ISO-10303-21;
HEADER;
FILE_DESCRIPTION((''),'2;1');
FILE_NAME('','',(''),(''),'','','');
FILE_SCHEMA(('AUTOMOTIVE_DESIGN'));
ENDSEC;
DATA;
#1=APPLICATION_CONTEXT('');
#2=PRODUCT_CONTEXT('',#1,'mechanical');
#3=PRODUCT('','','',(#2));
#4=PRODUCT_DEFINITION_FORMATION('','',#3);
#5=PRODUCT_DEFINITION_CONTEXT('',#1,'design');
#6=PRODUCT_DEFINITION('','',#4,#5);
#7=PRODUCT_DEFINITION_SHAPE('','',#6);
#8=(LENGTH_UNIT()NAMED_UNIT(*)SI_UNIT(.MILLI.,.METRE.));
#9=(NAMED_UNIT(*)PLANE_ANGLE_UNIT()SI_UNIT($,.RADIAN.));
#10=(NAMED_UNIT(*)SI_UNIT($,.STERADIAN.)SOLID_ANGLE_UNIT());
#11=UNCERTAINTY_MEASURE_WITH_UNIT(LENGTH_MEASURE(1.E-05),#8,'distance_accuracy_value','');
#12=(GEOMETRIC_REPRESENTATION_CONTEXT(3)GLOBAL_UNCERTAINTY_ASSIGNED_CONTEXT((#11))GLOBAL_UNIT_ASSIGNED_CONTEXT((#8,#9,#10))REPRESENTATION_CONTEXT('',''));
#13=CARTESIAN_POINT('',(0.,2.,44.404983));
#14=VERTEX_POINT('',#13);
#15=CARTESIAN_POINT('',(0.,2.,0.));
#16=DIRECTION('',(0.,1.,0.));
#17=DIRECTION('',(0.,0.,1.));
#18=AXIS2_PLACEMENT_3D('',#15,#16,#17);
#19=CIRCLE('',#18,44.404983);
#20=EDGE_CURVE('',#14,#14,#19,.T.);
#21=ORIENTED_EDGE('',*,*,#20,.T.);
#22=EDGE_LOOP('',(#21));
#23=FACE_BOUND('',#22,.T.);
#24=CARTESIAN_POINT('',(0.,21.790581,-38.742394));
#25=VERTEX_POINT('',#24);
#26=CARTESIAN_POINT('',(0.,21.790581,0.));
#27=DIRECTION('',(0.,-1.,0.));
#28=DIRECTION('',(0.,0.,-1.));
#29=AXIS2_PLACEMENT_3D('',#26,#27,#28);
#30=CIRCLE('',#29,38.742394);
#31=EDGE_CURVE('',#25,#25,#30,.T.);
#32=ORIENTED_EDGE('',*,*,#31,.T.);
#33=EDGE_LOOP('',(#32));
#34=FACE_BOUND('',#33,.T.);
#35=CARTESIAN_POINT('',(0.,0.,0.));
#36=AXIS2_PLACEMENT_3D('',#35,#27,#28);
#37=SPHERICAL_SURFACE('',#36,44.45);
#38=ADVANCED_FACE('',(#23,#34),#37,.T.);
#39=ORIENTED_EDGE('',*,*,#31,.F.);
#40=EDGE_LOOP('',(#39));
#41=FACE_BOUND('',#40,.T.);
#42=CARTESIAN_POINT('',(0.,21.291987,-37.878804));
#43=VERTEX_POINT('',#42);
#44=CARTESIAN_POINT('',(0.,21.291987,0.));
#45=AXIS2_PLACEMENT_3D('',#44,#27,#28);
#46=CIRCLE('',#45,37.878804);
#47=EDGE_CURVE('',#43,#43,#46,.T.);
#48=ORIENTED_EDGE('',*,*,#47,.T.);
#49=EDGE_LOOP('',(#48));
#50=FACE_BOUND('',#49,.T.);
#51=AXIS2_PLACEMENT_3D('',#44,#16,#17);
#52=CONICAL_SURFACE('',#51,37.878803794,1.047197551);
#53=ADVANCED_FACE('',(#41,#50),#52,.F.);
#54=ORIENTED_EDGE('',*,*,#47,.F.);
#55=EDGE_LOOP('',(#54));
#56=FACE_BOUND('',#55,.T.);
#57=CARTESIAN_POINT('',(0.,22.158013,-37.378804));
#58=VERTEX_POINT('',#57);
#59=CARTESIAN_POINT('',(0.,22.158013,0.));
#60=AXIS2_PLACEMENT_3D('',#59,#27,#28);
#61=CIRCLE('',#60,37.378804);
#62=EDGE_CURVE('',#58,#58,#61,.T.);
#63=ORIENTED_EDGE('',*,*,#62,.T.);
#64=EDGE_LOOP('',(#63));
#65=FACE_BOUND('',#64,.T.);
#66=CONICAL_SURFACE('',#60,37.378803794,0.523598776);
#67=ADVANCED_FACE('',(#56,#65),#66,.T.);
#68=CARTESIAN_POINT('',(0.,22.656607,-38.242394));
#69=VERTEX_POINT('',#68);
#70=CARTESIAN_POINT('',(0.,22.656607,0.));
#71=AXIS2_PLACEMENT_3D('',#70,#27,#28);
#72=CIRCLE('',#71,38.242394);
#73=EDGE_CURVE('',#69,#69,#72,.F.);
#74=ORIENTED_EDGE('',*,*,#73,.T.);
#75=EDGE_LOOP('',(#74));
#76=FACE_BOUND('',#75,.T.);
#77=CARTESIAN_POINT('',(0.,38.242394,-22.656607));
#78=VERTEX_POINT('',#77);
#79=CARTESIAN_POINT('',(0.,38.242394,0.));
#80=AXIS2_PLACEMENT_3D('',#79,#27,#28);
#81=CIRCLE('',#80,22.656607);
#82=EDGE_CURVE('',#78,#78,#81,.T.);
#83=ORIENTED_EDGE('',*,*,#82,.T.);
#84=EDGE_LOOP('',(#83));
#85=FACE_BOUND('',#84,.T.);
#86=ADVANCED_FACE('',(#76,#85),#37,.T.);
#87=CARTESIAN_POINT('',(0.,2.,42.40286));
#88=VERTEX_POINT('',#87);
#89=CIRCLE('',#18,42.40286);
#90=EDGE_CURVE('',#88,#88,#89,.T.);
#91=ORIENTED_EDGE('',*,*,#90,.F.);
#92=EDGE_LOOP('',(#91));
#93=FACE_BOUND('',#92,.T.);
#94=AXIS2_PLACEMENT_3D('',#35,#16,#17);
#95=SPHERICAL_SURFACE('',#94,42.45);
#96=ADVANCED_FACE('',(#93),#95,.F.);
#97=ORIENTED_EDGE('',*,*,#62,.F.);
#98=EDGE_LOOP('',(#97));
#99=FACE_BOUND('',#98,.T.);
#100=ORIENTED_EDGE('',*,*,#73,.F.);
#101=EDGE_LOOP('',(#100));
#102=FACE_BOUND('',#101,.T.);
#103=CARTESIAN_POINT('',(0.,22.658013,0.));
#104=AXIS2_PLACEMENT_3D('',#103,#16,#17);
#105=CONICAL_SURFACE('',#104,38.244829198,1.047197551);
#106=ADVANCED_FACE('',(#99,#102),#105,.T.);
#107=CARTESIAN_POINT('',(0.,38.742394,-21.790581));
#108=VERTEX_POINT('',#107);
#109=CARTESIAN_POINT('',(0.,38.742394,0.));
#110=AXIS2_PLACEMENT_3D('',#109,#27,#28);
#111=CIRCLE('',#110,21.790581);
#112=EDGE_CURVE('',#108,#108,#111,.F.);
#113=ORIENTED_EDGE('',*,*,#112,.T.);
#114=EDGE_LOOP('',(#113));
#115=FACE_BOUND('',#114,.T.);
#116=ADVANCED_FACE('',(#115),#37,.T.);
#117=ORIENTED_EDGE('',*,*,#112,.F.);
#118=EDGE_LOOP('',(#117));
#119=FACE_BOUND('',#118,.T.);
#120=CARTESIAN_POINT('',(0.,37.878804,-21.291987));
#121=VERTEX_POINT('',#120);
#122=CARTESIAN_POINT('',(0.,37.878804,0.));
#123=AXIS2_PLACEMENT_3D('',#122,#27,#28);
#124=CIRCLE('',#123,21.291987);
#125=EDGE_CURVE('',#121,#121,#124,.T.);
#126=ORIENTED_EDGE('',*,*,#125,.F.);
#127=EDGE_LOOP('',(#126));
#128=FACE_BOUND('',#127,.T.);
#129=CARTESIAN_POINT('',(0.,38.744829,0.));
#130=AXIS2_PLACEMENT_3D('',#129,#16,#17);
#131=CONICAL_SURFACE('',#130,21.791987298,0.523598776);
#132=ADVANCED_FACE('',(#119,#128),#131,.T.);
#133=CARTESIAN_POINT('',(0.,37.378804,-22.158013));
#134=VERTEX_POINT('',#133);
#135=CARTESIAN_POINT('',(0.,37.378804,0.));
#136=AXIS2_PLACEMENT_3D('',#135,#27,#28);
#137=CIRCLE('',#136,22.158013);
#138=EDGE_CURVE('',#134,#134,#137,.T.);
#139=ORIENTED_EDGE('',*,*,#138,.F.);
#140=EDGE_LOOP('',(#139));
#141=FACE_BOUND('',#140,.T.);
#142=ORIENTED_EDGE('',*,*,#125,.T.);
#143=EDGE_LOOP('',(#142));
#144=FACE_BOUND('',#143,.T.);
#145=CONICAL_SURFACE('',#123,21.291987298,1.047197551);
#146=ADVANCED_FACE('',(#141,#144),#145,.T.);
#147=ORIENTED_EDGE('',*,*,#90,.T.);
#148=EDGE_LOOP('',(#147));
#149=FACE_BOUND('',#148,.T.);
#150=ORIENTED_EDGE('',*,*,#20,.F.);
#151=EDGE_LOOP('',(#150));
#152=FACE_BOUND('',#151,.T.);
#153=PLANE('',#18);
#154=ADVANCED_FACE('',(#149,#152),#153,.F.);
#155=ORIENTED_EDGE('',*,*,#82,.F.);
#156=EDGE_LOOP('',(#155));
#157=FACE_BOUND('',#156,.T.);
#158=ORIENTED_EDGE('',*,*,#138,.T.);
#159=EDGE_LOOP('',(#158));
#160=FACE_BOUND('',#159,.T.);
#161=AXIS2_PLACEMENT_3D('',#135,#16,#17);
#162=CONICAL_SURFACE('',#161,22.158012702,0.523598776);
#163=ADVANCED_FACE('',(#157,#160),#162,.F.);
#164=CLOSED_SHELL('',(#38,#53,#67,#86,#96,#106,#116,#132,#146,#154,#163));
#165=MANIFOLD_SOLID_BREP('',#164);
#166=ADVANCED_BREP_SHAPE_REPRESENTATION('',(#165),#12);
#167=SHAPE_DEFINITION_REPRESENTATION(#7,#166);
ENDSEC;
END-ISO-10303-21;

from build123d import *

# Parameters (mm, degrees)
REVOLVE1_ANGLE     = 180
SKETCH2_R          = 44.45
CUT_EXTRUDE1_DEPTH = 2
F_30DEG_W          = 1
F_30DEG_H          = 1


with BuildPart() as part:
    # Sketch1 → Revolve1 (revolve)
    with BuildSketch(Plane(origin=(0, 0, 0), x_dir=(1, 0, 0), z_dir=(0, 1, 0))):
        with BuildLine():
            ThreePointArc((0, 44.45), (-44.45, 0), (0, -44.45))
            Line((0, -44.45), (0, -42.45))
            ThreePointArc((0, -42.45), (-42.45, 0), (0, 42.45))
            Line((0, 42.45), (0, 44.45))
        make_face()
    revolve(axis=Axis((0, 0, 44.45), (0, 0, -1)), revolution_arc=REVOLVE1_ANGLE)

    # Sketch2 → Cut-Extrude1 (cut)
    with BuildSketch(Plane(origin=(0, 0, 0), x_dir=(1, 0, 0), z_dir=(0, 1, 0))):
        Circle(SKETCH2_R)
    extrude(amount=CUT_EXTRUDE1_DEPTH, mode=Mode.SUBTRACT)

    # 30deg → Cut-Revolve1 (revolve, cut)
    with BuildSketch(Plane(origin=(0, 0, 0), x_dir=(0, 0, -1), z_dir=(1, 0, 0))):
        with Locations((43.95, 0)):
            Rectangle(F_30DEG_W, F_30DEG_H)
        Polygon((38.244829198, 22.658012702), (38.744829198, 21.791987298), (37.878803794, 21.291987298), (37.378803794, 22.158012702), align=None)
        Polygon((21.791987298, 38.744829198), (22.658012702, 38.244829198), (22.158012702, 37.378803794), (21.291987298, 37.878803794), align=None)
    revolve(axis=Axis((0, -1000, 0), (0, 1, 0)), mode=Mode.SUBTRACT)


solid = part.part
